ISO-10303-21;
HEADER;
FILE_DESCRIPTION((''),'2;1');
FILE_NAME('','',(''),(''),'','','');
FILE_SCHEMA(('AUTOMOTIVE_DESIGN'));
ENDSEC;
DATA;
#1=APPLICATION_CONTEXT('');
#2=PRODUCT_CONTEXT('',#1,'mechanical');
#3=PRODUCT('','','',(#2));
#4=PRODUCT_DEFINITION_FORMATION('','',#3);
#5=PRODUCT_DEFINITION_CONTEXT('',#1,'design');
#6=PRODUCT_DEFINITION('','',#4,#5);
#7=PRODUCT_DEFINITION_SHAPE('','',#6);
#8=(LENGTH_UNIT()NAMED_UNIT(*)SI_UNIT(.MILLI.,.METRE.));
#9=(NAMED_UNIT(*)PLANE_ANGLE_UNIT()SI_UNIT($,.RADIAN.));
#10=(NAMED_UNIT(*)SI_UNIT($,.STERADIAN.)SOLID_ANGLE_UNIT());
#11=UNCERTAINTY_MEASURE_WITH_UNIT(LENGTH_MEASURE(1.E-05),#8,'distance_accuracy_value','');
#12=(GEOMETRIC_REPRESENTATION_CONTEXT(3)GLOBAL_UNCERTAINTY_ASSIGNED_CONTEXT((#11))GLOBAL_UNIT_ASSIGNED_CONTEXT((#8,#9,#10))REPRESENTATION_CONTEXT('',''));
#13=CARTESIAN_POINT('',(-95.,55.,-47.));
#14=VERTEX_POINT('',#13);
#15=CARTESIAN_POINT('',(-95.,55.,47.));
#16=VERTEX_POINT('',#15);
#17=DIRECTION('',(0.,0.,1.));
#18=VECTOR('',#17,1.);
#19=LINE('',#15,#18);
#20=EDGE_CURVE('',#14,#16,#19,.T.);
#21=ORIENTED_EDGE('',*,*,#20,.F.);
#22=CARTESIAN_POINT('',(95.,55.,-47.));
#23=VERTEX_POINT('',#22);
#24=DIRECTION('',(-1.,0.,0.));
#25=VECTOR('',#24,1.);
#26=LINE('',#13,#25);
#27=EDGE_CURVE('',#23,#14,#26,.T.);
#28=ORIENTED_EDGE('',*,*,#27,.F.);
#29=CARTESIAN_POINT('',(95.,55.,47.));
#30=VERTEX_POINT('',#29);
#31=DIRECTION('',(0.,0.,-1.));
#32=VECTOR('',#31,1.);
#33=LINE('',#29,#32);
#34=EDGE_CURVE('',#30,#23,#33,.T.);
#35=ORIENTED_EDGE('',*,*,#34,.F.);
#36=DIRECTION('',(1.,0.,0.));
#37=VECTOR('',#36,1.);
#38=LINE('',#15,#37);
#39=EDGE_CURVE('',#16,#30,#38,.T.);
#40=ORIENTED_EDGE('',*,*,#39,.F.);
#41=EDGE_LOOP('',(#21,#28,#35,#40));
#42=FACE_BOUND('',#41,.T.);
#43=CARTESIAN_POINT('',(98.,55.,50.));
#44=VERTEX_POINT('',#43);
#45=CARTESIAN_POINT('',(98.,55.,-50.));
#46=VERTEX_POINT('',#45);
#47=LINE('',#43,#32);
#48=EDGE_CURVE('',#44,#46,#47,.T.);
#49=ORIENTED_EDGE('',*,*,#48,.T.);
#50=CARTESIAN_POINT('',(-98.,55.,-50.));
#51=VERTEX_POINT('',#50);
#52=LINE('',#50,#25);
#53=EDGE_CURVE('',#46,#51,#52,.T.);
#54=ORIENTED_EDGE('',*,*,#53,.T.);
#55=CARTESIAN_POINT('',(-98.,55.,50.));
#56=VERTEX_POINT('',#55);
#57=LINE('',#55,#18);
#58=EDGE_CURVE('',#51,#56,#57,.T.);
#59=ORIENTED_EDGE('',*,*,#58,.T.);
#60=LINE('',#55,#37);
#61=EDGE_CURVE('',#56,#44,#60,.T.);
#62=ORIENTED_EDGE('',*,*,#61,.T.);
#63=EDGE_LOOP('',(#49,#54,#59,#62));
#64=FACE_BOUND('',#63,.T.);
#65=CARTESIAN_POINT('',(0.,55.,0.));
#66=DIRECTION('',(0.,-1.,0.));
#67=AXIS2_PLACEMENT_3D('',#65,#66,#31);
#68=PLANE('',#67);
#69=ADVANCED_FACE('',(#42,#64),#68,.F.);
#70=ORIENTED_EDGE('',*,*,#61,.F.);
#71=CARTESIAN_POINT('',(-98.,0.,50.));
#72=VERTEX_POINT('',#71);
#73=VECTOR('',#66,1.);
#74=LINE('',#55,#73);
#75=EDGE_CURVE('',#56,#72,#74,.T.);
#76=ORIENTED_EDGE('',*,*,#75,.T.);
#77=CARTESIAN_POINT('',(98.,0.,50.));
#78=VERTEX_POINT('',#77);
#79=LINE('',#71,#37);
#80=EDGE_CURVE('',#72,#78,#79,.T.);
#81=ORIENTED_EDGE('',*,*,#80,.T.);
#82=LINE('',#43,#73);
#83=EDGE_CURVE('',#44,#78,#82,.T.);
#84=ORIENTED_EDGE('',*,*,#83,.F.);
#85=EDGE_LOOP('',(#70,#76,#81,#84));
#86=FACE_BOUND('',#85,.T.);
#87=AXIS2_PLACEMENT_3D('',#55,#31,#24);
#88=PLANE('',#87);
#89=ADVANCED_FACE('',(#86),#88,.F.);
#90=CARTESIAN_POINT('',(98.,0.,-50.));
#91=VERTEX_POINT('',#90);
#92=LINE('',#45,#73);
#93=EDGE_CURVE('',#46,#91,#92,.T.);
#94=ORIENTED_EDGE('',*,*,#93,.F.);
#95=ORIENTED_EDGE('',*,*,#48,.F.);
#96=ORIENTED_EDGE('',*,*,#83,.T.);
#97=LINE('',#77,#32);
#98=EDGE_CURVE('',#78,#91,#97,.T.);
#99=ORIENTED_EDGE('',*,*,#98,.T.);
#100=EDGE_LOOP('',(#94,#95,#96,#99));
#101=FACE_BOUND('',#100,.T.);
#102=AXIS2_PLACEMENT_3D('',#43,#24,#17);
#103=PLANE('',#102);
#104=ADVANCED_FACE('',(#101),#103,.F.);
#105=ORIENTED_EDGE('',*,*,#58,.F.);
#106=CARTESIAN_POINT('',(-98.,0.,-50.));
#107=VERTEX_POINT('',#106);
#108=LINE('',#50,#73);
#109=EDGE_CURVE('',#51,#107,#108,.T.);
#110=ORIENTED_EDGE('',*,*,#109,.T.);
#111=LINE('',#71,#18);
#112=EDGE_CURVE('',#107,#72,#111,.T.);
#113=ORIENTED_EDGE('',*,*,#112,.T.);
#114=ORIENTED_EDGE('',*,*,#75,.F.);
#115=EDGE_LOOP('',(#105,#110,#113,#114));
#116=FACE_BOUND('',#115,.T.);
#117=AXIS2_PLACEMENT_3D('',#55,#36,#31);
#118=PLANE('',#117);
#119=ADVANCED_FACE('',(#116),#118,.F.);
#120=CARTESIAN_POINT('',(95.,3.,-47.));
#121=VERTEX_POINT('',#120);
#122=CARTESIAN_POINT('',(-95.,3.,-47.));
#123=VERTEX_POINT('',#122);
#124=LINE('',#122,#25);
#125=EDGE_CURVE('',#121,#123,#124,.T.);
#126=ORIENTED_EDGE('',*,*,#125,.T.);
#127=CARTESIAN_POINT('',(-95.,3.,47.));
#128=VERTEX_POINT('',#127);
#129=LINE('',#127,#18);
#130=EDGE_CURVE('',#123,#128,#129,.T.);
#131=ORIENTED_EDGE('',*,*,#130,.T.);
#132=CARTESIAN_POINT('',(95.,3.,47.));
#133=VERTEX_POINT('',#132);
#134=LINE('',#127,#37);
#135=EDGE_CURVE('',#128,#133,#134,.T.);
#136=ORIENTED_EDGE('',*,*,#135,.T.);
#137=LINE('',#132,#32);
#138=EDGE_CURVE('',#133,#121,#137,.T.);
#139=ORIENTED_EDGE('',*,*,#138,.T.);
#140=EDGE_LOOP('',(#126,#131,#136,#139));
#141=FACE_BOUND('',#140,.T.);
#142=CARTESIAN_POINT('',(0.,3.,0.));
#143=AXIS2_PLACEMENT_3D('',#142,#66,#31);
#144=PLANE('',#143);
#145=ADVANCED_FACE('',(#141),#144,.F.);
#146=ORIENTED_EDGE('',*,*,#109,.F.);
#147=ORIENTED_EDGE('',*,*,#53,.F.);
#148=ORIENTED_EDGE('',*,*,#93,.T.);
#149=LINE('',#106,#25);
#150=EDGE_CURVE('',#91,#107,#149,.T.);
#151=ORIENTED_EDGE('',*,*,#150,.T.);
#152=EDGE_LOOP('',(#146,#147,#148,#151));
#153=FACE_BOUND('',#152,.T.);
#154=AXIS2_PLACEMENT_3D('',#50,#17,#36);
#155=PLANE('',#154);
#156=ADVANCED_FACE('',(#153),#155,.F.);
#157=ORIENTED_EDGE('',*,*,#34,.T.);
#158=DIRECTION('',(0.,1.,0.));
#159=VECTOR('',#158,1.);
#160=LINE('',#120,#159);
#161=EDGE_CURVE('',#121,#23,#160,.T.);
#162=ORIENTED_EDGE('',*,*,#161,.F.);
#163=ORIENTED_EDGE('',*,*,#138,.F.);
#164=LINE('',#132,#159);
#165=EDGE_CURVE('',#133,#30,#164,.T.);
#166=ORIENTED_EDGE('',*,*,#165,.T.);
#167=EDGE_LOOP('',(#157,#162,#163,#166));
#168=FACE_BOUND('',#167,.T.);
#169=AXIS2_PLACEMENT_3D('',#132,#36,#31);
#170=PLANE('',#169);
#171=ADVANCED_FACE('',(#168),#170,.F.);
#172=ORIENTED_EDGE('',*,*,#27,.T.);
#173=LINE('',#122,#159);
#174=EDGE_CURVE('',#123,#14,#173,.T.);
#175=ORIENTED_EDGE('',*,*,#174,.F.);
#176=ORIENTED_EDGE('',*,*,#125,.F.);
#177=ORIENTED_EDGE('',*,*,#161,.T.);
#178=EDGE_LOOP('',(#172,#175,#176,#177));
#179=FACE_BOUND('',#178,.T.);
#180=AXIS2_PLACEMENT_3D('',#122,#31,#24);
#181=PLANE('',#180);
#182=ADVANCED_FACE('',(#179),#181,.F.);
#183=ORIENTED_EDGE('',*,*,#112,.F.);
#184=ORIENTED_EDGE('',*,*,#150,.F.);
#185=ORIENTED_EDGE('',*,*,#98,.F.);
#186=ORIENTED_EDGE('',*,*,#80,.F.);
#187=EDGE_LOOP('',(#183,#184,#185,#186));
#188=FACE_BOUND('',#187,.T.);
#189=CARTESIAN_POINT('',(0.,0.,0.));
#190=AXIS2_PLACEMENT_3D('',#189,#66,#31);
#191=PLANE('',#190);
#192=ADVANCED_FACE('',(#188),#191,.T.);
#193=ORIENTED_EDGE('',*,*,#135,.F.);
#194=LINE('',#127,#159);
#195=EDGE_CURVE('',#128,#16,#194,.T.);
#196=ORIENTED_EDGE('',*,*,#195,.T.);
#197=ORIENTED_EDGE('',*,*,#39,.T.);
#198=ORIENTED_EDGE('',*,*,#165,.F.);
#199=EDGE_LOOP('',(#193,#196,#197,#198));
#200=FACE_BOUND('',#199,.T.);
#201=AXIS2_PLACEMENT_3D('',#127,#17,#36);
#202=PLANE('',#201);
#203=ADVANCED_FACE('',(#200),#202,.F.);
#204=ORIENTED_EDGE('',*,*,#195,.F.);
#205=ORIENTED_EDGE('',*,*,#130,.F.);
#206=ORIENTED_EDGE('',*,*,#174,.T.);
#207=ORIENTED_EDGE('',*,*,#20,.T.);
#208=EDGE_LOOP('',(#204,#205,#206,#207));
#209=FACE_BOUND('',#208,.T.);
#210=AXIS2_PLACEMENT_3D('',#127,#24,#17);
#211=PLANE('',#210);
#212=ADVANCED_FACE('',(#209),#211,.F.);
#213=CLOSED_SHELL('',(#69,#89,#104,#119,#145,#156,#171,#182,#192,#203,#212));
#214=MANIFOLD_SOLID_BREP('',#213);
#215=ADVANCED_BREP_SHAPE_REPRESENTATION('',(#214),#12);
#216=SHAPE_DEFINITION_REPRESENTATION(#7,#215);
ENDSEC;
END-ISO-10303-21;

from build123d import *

# Parameters (mm, degrees)
SKETCH1_W           = 196
SKETCH1_H           = 100
BOSS_EXTRUDE1_DEPTH = 55
SKETCH2_W           = 190
SKETCH2_H           = 94
CUT_EXTRUDE1_DEPTH  = 52


with BuildPart() as part:
    # Sketch1 → Boss-Extrude1 (new body)
    with BuildSketch(Plane(origin=(0, 0, 0), x_dir=(1, 0, 0), z_dir=(0, 1, 0))):
        Rectangle(SKETCH1_W, SKETCH1_H)
    extrude(amount=BOSS_EXTRUDE1_DEPTH)

    # Sketch2 → Cut-Extrude1 (cut)
    with BuildSketch(Plane(origin=(0, 55, 0), x_dir=(1, 0, 0), z_dir=(0, 1, 0))):
        Rectangle(SKETCH2_W, SKETCH2_H)
    extrude(amount=-CUT_EXTRUDE1_DEPTH, mode=Mode.SUBTRACT)


solid = part.part
